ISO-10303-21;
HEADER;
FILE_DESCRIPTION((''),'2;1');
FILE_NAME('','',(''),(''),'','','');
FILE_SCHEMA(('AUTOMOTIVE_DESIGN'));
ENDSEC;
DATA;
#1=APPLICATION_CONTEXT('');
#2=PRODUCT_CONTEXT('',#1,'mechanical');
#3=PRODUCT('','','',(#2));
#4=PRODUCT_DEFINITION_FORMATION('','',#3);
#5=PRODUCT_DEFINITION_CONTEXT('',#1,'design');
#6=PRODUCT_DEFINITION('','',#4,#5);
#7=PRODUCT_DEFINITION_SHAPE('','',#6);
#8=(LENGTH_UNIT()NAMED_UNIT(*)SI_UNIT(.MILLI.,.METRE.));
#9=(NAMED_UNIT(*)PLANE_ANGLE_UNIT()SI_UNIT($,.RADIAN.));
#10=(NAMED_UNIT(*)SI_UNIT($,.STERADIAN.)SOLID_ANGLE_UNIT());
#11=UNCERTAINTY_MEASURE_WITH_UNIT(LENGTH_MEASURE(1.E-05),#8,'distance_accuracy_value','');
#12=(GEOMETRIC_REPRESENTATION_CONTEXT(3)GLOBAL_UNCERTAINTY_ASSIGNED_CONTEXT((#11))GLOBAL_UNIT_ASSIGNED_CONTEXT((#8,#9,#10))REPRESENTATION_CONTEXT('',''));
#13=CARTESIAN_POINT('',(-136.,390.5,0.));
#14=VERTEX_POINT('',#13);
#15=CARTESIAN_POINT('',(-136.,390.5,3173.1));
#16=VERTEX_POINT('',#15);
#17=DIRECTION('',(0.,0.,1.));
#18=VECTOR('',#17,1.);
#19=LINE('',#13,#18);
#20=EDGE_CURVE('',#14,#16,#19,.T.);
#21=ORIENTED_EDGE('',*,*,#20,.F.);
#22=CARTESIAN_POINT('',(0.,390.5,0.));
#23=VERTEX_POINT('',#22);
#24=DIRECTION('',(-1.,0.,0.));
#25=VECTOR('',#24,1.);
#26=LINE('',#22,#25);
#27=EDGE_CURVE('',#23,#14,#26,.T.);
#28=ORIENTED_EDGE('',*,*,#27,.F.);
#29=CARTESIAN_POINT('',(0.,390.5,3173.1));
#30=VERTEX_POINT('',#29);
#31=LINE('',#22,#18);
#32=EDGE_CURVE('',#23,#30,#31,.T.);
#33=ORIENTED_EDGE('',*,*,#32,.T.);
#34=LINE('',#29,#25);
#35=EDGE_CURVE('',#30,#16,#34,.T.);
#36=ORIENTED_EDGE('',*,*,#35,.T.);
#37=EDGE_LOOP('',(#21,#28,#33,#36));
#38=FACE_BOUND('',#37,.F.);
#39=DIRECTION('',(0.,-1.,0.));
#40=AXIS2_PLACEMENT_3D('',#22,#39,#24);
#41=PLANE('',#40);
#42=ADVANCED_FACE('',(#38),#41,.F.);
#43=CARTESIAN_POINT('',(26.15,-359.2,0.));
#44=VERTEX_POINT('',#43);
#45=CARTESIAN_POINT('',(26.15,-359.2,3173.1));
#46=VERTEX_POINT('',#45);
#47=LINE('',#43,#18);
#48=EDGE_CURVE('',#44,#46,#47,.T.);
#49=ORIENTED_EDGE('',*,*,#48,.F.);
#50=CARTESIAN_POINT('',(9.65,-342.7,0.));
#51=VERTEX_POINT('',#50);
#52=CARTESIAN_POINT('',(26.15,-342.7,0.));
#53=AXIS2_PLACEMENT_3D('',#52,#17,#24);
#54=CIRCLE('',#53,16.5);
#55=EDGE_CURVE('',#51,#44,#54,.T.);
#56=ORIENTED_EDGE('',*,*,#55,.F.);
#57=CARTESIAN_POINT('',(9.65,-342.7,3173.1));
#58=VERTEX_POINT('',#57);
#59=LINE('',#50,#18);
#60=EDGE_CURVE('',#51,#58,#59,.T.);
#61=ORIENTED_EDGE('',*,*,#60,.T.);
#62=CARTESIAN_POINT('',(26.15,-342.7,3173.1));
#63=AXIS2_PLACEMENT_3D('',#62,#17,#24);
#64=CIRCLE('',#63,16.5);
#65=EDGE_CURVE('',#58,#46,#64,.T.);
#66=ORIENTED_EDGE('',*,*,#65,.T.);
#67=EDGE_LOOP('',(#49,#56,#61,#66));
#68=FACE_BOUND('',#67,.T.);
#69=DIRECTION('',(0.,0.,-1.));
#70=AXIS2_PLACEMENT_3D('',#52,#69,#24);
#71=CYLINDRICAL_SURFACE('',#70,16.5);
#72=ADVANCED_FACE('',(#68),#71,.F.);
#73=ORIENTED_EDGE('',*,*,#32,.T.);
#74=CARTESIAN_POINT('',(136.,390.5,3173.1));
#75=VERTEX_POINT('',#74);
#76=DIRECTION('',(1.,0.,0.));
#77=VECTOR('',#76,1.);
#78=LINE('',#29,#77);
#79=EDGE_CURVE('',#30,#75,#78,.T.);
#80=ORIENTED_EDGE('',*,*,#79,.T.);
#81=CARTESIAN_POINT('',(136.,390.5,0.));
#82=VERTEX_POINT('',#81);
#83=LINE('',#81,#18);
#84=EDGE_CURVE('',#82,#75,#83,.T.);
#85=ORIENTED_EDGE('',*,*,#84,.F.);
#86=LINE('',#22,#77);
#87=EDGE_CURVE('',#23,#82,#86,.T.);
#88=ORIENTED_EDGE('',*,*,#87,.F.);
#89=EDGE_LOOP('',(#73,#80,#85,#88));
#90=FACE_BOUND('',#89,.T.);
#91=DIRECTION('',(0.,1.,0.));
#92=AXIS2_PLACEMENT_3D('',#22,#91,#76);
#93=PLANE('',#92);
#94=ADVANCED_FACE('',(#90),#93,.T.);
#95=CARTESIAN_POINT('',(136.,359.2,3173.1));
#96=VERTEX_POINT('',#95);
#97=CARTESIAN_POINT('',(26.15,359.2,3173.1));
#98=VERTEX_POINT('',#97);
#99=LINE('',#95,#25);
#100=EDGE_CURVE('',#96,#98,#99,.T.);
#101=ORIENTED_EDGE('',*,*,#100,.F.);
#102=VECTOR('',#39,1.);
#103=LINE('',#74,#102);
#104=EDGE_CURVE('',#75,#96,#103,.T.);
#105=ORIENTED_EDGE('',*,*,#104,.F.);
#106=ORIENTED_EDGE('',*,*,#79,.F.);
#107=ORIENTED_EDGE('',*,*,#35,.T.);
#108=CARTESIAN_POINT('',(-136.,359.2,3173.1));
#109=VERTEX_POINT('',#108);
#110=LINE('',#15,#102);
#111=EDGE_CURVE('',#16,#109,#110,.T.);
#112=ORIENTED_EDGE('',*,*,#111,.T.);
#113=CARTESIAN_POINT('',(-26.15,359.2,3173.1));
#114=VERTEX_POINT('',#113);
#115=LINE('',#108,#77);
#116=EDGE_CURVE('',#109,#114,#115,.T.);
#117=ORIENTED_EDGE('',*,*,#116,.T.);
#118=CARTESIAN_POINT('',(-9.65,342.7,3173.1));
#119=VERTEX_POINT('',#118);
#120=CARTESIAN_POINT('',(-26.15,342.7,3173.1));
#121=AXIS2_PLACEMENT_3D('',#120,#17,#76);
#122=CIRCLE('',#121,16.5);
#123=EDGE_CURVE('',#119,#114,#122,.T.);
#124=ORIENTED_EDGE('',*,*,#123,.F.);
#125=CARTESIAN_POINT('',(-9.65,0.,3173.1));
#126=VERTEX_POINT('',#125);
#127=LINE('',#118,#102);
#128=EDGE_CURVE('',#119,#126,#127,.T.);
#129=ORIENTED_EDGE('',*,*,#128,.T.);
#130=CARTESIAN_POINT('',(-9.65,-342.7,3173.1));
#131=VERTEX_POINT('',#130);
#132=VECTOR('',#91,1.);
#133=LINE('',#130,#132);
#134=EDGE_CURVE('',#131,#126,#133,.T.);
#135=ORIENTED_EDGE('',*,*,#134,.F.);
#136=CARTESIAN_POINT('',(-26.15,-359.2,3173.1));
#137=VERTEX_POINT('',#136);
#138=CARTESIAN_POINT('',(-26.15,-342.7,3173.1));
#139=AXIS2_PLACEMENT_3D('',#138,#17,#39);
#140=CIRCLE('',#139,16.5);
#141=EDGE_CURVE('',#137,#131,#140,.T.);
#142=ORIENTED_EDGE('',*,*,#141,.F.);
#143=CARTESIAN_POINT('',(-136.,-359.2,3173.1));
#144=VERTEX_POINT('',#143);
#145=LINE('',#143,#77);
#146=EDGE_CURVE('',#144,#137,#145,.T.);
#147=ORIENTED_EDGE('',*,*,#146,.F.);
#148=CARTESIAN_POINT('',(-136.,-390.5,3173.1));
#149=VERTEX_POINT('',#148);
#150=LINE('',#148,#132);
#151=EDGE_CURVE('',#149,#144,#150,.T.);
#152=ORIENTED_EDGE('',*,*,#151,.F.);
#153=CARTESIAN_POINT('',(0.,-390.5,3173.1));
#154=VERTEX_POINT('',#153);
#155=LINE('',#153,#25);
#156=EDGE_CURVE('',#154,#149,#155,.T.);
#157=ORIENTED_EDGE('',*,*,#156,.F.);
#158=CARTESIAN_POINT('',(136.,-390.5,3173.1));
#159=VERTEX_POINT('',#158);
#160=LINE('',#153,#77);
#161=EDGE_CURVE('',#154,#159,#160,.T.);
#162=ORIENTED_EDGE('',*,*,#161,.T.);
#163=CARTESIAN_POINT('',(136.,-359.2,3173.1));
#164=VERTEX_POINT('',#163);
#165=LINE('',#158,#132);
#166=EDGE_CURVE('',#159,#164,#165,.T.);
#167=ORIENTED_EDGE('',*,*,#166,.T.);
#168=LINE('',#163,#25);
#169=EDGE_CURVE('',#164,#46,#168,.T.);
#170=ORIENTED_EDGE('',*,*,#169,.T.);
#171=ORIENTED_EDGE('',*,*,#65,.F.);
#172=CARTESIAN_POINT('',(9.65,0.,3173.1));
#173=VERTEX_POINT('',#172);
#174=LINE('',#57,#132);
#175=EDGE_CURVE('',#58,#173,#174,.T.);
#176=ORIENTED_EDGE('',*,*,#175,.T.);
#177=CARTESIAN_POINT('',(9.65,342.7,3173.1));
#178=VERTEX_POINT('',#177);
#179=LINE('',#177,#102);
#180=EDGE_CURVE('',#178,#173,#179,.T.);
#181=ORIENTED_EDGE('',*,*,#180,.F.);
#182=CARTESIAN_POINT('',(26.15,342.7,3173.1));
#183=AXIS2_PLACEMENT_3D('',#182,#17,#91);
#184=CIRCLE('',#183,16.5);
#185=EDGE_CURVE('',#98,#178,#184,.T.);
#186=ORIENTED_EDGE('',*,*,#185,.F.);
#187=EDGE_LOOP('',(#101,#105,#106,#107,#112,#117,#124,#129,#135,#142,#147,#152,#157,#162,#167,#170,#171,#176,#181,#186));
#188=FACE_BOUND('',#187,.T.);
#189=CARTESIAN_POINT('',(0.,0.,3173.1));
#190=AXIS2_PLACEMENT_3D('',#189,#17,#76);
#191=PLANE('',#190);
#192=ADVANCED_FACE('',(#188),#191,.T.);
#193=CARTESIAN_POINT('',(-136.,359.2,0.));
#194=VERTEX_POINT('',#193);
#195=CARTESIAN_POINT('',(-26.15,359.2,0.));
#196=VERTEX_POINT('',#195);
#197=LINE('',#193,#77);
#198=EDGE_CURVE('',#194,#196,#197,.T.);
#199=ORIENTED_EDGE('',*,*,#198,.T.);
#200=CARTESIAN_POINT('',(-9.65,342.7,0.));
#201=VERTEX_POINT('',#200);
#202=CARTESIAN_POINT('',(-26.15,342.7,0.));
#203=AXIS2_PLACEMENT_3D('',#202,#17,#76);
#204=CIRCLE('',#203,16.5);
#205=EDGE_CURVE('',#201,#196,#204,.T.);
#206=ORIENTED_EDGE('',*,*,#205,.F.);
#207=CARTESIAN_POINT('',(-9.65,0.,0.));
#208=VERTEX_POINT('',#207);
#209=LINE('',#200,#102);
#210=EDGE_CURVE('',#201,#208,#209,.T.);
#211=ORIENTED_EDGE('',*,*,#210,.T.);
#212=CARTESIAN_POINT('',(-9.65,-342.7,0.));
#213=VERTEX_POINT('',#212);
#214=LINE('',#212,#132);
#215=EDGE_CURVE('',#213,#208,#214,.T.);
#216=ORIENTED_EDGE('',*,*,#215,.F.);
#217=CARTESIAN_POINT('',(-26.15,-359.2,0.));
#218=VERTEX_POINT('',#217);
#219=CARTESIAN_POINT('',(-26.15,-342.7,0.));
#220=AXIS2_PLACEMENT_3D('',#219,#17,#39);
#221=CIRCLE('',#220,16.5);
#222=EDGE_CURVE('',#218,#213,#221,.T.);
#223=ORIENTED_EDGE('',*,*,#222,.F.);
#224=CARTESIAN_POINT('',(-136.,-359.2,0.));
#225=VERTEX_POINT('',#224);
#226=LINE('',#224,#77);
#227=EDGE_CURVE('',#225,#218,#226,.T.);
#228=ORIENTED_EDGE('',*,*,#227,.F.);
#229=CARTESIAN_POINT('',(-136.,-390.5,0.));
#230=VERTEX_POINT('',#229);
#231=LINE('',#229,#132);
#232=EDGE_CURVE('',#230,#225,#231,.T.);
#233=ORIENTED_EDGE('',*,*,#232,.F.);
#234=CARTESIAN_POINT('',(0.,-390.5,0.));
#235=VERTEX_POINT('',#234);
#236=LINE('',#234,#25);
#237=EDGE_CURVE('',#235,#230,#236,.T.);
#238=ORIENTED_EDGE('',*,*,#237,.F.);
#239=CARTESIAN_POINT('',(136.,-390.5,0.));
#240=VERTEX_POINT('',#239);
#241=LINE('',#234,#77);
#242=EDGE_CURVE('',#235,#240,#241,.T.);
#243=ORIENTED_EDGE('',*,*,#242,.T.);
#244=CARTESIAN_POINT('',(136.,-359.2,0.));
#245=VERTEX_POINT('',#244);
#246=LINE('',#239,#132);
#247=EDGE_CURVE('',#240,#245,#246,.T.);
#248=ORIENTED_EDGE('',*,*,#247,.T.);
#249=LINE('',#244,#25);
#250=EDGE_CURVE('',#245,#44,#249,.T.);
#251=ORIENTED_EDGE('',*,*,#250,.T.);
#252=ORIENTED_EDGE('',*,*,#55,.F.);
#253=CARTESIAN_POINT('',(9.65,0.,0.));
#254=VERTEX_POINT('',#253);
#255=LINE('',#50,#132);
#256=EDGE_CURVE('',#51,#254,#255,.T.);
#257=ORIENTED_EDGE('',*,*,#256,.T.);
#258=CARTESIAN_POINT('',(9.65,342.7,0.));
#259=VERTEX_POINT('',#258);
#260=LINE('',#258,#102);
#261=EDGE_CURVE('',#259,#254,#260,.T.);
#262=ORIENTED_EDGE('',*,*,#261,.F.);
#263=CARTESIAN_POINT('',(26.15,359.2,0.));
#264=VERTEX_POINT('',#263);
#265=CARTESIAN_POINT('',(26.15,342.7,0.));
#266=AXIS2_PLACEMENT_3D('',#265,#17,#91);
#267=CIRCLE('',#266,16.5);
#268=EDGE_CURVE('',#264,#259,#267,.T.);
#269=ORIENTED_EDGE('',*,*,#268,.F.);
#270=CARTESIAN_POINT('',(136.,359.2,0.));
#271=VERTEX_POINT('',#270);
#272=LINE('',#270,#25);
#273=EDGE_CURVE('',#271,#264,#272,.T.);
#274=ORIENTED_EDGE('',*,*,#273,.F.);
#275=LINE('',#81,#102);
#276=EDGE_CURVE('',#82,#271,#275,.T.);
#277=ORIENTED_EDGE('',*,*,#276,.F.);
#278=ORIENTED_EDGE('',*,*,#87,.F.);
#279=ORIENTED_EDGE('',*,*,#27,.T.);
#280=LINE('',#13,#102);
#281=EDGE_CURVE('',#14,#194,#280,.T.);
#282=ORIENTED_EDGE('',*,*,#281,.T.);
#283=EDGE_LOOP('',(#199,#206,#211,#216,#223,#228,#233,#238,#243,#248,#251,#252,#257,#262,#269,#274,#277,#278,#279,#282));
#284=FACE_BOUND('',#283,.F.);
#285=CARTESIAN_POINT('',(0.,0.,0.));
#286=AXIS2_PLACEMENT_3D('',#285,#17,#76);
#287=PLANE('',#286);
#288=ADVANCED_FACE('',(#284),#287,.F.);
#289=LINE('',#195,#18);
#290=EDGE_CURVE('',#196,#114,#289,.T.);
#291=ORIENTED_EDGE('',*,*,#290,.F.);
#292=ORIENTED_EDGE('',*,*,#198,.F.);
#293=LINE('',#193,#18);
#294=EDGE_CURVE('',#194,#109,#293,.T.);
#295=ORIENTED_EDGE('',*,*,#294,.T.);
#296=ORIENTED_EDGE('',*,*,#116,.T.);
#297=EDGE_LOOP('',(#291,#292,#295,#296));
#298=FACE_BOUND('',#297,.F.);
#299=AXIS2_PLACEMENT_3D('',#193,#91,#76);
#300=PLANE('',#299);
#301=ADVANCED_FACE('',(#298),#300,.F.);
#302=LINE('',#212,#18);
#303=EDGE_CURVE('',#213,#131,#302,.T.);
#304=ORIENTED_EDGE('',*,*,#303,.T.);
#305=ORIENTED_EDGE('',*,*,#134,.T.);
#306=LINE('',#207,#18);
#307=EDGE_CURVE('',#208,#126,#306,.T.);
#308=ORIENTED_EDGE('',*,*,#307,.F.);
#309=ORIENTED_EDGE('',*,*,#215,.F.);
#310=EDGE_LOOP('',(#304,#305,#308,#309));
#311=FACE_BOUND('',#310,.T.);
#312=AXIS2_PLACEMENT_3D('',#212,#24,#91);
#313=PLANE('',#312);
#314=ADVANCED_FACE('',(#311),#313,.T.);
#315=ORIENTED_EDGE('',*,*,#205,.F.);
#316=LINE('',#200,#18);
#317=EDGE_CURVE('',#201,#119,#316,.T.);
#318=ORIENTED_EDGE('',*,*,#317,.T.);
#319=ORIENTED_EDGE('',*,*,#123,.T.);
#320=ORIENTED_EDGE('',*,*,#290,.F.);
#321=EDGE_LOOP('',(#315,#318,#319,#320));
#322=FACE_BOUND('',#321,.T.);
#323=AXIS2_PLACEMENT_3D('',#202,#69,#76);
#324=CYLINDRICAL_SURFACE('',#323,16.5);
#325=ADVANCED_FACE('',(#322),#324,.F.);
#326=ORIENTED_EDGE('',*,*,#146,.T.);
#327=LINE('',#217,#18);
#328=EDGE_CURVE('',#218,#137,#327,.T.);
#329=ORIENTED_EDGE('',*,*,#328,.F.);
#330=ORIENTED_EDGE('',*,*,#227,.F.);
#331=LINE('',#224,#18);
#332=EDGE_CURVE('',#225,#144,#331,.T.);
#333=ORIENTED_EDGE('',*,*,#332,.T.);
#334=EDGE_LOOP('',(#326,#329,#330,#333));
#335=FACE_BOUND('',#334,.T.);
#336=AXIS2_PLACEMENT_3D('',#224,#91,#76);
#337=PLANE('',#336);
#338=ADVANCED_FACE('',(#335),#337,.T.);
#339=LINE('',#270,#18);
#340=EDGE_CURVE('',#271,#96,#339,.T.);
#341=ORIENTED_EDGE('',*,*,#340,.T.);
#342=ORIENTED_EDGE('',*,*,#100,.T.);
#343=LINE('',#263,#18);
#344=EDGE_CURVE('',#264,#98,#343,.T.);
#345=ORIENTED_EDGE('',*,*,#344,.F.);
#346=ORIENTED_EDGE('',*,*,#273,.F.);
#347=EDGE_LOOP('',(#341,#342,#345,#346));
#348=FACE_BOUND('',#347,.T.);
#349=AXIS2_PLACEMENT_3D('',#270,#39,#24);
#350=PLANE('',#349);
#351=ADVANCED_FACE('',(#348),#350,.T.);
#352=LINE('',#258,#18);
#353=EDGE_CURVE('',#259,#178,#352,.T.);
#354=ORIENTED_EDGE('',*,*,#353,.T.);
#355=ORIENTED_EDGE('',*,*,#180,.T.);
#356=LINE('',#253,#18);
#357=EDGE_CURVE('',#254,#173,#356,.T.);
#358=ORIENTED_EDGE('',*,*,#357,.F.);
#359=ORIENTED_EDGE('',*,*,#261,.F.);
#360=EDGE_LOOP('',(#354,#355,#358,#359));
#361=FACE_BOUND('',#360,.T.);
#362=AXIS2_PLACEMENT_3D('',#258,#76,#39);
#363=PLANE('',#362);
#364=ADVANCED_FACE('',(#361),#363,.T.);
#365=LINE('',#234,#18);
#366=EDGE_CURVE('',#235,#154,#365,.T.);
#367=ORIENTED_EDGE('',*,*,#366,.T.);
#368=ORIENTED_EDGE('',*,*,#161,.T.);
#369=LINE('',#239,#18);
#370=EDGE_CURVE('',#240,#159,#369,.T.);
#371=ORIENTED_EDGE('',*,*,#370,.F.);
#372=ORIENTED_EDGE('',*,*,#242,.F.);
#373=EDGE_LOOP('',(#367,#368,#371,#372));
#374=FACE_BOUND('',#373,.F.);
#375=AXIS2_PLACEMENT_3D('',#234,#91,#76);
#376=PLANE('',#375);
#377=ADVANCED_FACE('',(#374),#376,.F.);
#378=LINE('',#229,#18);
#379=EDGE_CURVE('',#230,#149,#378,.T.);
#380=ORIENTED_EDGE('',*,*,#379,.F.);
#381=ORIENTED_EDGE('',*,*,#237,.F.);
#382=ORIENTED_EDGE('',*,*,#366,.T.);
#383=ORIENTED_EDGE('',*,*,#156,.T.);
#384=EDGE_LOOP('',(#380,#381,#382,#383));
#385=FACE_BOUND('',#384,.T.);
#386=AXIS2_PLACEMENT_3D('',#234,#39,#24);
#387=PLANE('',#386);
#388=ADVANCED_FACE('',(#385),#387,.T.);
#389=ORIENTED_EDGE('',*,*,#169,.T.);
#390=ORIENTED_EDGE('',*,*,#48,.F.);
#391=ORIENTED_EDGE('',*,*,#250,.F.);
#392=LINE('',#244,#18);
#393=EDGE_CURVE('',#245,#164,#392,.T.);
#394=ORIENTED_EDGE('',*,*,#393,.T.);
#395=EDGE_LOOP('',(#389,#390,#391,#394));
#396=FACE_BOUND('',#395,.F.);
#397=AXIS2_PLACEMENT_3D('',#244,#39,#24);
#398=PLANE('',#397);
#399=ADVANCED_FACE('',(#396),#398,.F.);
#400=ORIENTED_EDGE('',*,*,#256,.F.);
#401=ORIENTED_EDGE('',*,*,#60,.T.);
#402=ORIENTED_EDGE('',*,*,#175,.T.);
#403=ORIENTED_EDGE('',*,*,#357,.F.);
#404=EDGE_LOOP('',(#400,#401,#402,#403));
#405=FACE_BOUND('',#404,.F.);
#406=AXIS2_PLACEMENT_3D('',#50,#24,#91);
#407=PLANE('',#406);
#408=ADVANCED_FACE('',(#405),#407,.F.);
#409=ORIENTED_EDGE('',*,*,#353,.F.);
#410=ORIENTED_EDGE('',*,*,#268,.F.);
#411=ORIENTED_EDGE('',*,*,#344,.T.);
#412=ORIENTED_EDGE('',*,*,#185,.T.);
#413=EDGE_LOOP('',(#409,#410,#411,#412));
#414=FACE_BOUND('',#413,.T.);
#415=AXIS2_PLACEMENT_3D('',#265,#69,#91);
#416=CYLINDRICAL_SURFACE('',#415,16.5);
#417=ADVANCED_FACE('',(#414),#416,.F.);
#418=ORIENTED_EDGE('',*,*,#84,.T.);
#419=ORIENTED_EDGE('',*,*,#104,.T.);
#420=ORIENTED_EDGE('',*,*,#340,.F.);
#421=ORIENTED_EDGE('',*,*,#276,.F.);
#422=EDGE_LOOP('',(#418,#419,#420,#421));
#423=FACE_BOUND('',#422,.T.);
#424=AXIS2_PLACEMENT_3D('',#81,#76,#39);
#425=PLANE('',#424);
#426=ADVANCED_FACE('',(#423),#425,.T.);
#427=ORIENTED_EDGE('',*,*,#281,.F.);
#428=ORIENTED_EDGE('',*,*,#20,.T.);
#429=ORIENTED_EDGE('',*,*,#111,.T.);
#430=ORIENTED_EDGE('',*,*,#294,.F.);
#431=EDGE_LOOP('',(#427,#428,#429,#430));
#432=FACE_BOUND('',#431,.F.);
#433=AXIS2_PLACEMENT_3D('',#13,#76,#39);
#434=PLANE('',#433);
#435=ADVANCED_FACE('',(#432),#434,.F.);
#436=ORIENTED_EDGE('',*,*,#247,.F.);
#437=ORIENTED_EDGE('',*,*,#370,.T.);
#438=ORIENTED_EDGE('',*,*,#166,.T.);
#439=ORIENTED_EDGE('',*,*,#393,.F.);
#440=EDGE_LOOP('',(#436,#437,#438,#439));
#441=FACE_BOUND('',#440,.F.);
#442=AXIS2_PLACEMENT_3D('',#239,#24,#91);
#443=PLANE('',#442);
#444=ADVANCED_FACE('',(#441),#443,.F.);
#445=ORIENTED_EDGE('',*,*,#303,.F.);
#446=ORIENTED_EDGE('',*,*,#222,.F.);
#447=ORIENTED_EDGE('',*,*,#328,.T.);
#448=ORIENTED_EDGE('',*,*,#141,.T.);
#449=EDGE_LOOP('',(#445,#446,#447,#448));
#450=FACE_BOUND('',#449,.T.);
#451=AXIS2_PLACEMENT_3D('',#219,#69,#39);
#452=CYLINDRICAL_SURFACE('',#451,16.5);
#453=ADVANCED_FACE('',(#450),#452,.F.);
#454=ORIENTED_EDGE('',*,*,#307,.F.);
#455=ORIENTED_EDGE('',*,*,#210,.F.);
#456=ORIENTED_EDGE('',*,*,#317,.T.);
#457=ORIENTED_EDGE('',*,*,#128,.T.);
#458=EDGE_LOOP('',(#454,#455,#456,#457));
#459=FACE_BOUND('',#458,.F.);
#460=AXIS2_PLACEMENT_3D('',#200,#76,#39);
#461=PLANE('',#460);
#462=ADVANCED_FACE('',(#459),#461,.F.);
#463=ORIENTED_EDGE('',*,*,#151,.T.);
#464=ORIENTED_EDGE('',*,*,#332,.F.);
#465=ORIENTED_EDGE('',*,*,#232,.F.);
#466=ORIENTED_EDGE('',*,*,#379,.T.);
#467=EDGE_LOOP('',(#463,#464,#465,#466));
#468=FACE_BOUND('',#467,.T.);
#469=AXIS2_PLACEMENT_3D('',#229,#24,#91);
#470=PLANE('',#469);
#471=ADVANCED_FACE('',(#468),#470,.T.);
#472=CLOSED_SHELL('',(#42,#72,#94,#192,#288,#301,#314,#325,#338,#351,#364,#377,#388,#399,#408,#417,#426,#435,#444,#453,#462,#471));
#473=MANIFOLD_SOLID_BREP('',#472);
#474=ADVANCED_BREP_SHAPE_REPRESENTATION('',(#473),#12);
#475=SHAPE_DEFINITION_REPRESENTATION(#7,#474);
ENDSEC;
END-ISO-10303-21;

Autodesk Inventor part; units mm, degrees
ref_plane "YZ Plane" through (0, 0, 0) normal (1, 0, 0) x (0, 1, 0)
ref_plane "Start plane" through (0, 0, 0) normal (0, 0, 1) x (1, 0, 0)
ref_plane "End plane" through (0, 0, 3173.1) normal (0, 0, 1) x (1, 0, 0)
sketch "Sketch" plane through (0, 0, 0) normal (0, 0, 1) x (1, 0, 0)
  line L0 (-136, -390.5) -> (-136, -359.2)
  line L1 (-136, -359.2) -> (-26.15, -359.2)
  line L2 (-9.65, -342.7) -> (-9.65, 0)
  line L3 (-9.65, 0) -> (0, 0) construction
  line L4 (0, 0) -> (0, -390.5) construction
  line L5 (0, -390.5) -> (-136, -390.5)
  line L6 (-60, 0) -> (80, 0) construction
  line L7 (0, -60) -> (0, 80) construction
  line L8 (136, -390.5) -> (136, -359.2)
  line L9 (136, -359.2) -> (26.15, -359.2)
  line L10 (9.65, -342.7) -> (9.65, 0)
  line L11 (9.65, 0) -> (0, 0) construction
  line L12 (0, -390.5) -> (136, -390.5)
  line L13 (-136, 390.5) -> (-136, 359.2)
  line L14 (-136, 359.2) -> (-26.15, 359.2)
  line L15 (-9.65, 342.7) -> (-9.65, 0)
  line L16 (0, 390.5) -> (-136, 390.5)
  line L17 (136, 390.5) -> (136, 359.2)
  line L18 (136, 359.2) -> (26.15, 359.2)
  line L19 (0, 390.5) -> (136, 390.5)
  line L20 (9.65, 342.7) -> (9.65, 0)
  arc A0 (-9.65, 342.7) -> (-26.15, 359.2) centre (-26.15, 342.7) ccw
  arc A1 (26.15, 359.2) -> (9.65, 342.7) centre (26.15, 342.7) ccw
  arc A2 (9.65, -342.7) -> (26.15, -359.2) centre (26.15, -342.7) ccw
  arc A3 (-26.15, -359.2) -> (-9.65, -342.7) centre (-26.15, -342.7) ccw
  line L21 (0, 108) -> (0, -88) construction
  line L22 (-88, 0) -> (108, 0) construction
  point P0 (-9.65, -359.2)
  point P1 (9.65, -359.2)
  point P2 (-9.65, 359.2)
  point P3 (9.65, 359.2)
  dimension "d1" = 390.5
  dimension "d2" = 31.3
  dimension "d3" = 136
  dimension "d4" = 9.65
  dimension "d10" = 16.5
extrude "Body" add sketch "Sketch" along normal up to surface (3173.1 mm away) from surface at 0
sketch "Sketch4" plane through (0, 0, 0) normal (0, 0, 1) x (1, 0, 0)
  line L0 (0, 0) -> (10, 0)
ref_plane "Work Plane3" through (0, 0, 0) normal (0, -1, 0) x (1, 0, 0)
sketch "Sketch5" plane through (0, 0, 0) normal (0, -1, 0) x (1, 0, 0)
  line L0 (-2, 0) -> (12, 0) projected
  line L1 (-2, 3173.1) -> (12, 3173.1) projected
  dimension "d14" = 3173.1
equation "\"d1\" = 0.5 * G_H"
equation "\"d2\" = G_T1"
equation "\"d3\" = 0.5 * G_W"
equation "\"d4\" = 0.5 * G_T"
equation "\"d10\" = G_IR"
equation "\"d5\" = G_L"
equation "\"G_W\" = 272"
equation "\"G_H\" = 781"
equation "\"G_T\" = 19.3"
equation "\"G_T1\" = 31.3"
equation "\"G_IR\" = 16.5"
equation "\"G_L\" = d14"
equation "\"G_OFFSET_START\" = 0"
equation "\"G_OFFSET_END\" = 0"
equation "\"d12\" = G_OFFSET_END + B_L"
equation "\"B_L\" = 3173.1"
properties part number "AS 3679-1990 - 760 UB - 244 - 3173.1" material "Steel, Mild"
